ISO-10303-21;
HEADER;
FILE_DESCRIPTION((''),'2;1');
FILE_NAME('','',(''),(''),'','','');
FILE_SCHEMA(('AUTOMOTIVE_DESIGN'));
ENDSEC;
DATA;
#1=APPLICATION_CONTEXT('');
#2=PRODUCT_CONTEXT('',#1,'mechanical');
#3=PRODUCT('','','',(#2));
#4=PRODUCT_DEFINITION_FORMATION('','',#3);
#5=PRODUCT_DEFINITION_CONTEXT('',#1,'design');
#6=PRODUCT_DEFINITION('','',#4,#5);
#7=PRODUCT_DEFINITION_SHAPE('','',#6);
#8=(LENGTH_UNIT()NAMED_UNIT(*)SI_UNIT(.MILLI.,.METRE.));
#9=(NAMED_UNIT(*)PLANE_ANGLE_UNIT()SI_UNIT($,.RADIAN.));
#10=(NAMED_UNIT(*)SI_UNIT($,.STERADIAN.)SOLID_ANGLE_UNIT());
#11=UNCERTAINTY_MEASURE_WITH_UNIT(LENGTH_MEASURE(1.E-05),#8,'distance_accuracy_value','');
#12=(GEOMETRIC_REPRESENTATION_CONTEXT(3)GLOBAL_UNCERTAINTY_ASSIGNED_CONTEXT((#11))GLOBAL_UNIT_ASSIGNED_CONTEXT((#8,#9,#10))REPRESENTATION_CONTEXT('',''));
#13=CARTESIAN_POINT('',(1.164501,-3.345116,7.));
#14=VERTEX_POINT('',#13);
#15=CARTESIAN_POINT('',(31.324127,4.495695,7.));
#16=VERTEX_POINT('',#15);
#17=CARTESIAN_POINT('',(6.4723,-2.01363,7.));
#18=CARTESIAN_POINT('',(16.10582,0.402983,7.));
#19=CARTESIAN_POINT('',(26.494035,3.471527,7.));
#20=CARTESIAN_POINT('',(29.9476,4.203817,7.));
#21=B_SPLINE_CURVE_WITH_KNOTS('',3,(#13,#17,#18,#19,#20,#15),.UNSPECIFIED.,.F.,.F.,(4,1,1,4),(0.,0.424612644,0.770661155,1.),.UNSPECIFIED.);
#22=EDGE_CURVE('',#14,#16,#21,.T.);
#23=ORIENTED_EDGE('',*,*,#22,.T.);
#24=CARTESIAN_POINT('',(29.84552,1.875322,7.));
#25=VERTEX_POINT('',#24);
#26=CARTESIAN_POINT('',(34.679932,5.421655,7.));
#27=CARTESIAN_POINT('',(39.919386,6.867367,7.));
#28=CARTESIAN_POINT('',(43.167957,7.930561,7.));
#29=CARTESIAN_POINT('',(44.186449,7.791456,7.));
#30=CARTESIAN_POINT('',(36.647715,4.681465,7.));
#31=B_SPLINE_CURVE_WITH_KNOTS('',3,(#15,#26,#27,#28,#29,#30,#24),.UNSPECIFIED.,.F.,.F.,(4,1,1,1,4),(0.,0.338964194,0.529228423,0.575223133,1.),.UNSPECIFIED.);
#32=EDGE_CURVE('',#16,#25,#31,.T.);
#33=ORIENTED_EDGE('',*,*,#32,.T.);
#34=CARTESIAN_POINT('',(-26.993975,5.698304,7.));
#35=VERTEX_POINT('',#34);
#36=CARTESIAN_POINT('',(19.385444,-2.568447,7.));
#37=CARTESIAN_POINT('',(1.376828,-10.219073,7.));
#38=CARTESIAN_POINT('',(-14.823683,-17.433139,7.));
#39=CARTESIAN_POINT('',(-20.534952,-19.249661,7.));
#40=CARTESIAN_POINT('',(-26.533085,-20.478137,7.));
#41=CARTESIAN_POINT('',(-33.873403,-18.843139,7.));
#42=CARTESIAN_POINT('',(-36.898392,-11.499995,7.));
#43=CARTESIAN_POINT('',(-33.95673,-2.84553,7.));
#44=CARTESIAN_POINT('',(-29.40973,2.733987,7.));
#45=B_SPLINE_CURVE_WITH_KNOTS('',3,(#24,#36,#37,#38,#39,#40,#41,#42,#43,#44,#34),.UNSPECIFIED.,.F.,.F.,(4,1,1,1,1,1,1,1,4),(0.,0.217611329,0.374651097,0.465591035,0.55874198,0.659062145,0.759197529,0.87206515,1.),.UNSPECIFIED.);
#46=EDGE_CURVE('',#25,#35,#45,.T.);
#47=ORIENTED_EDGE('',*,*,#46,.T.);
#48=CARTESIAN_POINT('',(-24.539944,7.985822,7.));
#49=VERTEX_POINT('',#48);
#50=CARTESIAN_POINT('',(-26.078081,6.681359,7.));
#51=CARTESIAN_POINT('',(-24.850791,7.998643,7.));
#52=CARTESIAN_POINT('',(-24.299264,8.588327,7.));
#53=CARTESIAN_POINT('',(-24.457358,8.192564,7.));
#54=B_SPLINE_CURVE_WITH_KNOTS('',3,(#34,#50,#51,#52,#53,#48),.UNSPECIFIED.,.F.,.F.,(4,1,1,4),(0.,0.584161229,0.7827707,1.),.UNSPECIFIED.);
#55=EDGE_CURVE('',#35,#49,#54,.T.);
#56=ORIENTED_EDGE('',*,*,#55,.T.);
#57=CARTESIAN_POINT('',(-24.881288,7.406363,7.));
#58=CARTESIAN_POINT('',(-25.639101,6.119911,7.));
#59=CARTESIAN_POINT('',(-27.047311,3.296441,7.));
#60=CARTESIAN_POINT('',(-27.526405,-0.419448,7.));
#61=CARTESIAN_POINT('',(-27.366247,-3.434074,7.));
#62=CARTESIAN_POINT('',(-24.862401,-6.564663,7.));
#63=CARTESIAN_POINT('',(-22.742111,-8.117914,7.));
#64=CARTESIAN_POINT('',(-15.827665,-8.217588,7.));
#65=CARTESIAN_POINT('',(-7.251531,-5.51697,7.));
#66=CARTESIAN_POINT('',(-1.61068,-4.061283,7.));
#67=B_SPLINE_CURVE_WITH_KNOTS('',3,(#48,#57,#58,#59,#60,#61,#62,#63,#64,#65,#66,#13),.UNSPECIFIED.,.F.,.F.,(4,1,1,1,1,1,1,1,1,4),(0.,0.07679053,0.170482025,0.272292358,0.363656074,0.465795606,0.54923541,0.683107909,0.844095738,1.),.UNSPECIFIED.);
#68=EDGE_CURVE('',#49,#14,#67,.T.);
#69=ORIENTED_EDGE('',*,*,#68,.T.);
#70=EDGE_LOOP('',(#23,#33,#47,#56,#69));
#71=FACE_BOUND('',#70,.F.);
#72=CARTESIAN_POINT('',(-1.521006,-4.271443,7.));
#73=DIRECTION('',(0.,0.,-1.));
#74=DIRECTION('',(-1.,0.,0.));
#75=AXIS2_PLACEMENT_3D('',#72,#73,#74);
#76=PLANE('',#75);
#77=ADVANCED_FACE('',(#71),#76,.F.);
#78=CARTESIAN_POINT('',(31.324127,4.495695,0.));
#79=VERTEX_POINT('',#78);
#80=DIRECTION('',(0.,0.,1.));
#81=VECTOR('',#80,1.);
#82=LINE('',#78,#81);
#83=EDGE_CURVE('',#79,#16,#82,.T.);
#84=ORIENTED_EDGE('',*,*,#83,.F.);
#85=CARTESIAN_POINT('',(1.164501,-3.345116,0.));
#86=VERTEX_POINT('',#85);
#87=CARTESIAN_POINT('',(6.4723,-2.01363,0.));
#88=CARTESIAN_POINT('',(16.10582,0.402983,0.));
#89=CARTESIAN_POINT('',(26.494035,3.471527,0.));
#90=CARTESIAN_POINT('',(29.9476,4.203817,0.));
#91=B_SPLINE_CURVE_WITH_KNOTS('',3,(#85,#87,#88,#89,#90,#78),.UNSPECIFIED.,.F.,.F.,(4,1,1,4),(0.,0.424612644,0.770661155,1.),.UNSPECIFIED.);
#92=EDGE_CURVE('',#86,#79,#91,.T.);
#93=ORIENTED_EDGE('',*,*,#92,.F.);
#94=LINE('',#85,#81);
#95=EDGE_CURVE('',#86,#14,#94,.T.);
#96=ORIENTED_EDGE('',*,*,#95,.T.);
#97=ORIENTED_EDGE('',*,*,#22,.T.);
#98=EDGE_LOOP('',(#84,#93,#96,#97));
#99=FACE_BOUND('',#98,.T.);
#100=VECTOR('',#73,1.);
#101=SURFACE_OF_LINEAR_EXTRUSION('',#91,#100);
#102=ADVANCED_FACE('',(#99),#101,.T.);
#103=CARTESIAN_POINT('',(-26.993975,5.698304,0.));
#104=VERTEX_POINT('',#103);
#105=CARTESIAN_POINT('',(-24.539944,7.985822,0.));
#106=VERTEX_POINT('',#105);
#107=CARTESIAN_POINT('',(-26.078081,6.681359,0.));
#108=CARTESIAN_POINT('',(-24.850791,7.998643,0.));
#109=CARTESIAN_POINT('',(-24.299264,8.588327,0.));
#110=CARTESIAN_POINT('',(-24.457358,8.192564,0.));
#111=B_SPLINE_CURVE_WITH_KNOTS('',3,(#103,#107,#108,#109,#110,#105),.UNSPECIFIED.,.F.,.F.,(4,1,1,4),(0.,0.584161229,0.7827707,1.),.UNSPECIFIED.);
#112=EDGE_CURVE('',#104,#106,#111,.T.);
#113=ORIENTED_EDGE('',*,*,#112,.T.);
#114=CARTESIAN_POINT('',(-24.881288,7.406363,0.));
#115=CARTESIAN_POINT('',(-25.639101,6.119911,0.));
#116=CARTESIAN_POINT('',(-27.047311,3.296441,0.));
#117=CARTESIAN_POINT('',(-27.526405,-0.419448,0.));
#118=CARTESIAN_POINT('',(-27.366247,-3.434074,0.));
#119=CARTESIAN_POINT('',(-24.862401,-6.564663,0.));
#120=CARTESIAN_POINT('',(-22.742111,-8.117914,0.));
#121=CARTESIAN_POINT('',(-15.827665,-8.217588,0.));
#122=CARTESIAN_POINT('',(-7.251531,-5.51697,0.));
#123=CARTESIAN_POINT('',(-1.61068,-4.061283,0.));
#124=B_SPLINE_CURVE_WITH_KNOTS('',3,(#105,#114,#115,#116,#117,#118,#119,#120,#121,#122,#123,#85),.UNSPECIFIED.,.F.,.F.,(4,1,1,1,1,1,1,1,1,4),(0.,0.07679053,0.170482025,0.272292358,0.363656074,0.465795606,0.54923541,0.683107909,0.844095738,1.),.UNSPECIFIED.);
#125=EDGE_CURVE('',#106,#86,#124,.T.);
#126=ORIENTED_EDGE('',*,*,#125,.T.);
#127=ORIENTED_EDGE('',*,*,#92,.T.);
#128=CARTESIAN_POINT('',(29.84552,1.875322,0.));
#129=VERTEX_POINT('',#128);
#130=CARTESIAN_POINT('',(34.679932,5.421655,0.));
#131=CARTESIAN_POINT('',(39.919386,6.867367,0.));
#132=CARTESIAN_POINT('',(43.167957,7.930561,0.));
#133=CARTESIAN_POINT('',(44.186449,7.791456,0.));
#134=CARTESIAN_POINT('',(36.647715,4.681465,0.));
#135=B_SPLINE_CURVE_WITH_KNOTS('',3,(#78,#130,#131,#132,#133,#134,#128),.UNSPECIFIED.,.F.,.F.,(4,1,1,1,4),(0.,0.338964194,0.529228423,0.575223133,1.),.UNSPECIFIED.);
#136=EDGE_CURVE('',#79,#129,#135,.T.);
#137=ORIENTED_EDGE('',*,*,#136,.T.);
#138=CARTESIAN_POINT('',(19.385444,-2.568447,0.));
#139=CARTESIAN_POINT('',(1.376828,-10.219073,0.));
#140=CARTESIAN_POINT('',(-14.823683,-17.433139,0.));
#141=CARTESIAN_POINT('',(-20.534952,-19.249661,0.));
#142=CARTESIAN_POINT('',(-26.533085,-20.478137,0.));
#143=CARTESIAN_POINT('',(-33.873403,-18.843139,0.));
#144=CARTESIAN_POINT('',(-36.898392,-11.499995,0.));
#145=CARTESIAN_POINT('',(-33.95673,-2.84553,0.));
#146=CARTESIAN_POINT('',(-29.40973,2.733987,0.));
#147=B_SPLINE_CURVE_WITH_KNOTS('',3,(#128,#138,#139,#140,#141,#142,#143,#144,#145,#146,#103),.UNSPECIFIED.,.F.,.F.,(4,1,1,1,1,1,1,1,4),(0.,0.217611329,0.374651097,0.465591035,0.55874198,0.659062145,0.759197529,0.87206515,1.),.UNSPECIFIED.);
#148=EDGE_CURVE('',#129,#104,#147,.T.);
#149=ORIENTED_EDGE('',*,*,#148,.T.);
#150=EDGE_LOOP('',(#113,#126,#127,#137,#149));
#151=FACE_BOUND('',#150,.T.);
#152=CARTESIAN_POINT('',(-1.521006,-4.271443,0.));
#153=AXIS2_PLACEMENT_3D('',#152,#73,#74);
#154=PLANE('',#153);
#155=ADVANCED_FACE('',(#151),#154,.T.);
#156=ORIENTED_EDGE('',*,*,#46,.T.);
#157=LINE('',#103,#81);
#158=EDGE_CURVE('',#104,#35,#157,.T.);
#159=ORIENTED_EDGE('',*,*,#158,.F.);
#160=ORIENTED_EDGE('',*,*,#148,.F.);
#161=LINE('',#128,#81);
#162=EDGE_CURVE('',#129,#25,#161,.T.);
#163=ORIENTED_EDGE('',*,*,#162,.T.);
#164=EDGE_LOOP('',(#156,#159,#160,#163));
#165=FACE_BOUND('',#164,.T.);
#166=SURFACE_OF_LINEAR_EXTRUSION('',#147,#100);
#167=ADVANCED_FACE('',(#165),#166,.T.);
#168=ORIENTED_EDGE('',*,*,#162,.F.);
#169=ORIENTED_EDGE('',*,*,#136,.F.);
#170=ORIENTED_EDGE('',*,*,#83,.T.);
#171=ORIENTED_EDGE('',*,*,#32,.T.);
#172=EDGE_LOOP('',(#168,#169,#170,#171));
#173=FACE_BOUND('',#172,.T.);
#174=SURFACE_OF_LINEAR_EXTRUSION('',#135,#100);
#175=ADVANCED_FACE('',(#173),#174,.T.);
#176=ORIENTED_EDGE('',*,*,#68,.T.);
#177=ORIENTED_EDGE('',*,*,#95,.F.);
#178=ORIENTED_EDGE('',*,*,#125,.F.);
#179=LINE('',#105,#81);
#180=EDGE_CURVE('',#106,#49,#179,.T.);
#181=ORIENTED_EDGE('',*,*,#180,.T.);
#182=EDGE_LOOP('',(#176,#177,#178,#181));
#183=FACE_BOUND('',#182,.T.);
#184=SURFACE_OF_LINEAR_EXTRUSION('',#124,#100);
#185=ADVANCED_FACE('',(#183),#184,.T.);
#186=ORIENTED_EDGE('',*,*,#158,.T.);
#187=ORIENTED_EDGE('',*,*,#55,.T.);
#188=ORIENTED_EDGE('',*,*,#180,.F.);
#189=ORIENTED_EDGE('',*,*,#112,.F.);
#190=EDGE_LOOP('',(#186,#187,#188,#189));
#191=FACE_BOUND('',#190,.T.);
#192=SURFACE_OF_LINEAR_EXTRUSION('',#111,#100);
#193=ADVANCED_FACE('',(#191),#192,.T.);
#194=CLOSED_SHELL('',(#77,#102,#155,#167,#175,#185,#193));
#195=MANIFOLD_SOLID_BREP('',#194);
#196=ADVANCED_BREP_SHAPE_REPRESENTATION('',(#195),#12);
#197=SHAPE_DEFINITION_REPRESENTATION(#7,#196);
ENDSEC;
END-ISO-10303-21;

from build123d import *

# Parameters (mm, degrees)
F1_DEPTH = 7


with BuildPart() as f1:
    # F0 (on Top) → F1 (new body)
    with BuildSketch(Plane.XY):
        with BuildLine():
            add(Edge.make_bspline(
                [(-24.5399442118, 7.9858221547), (-24.881287558, 7.4063630489), (-25.6391011145, 6.1199106522), (-27.0473109199, 3.2964412095), (-27.5264046021, -0.4194481869), (-27.366247024, -3.4340737524), (-24.8624006016, -6.5646634632), (-22.7421111359, -8.1179139399), (-15.8276652271, -8.2175880232), (-7.2515312987, -5.5169695186), (-1.6106799233, -4.0612830315), (1.1645006399, -3.345115812)],
                knots=[0, 0, 0, 0, 0.0767905302, 0.1704820247, 0.2722923582, 0.3636560745, 0.4657956059, 0.5492354102, 0.6831079087, 0.8440957377, 1, 1, 1, 1], degree=3))
            add(Edge.make_bspline(
                [(-26.9939754706, 5.6983039216), (-26.0780812147, 6.681358633), (-24.8507912945, 7.9986429487), (-24.2992644125, 8.5883270318), (-24.4573579835, 8.1925640811), (-24.5399442118, 7.9858221547)],
                knots=[0, 0, 0, 0, 0.5841612292, 0.7827707005, 1, 1, 1, 1], degree=3))
            add(Edge.make_bspline(
                [(29.8455204267, 1.8753216104), (19.3854444544, -2.568447157), (1.3768280776, -10.219072947), (-14.8236830034, -17.4331393662), (-20.5349523375, -19.2496609389), (-26.5330850358, -20.478136543), (-33.8734034621, -18.8431389132), (-36.8983915675, -11.4999952957), (-33.9567302154, -2.8455304384), (-29.4097303562, 2.7339873036), (-26.9939754706, 5.6983039216)],
                knots=[0, 0, 0, 0, 0.2176113285, 0.3746510966, 0.4655910353, 0.5587419795, 0.6590621446, 0.759197529, 0.8720651498, 1, 1, 1, 1], degree=3))
            add(Edge.make_bspline(
                [(31.3241272617, 4.4956945316), (34.6799318984, 5.421655008), (39.9193855866, 6.8673670081), (43.1679568454, 7.9305612599), (44.1864492536, 7.7914559463), (36.6477150599, 4.6814646235), (29.8455204267, 1.8753216104)],
                knots=[0, 0, 0, 0, 0.3389641939, 0.5292284231, 0.5752231327, 1, 1, 1, 1], degree=3))
            add(Edge.make_bspline(
                [(1.1645006399, -3.345115812), (6.4722997511, -2.0136298564), (16.1058202181, 0.4029833078), (26.4940345692, 3.4715266314), (29.9475995962, 4.2038170173), (31.3241272617, 4.4956945316)],
                knots=[0, 0, 0, 0, 0.4246126437, 0.770661155, 1, 1, 1, 1], degree=3))
        make_face()
    extrude(amount=F1_DEPTH)


solid = f1.part
